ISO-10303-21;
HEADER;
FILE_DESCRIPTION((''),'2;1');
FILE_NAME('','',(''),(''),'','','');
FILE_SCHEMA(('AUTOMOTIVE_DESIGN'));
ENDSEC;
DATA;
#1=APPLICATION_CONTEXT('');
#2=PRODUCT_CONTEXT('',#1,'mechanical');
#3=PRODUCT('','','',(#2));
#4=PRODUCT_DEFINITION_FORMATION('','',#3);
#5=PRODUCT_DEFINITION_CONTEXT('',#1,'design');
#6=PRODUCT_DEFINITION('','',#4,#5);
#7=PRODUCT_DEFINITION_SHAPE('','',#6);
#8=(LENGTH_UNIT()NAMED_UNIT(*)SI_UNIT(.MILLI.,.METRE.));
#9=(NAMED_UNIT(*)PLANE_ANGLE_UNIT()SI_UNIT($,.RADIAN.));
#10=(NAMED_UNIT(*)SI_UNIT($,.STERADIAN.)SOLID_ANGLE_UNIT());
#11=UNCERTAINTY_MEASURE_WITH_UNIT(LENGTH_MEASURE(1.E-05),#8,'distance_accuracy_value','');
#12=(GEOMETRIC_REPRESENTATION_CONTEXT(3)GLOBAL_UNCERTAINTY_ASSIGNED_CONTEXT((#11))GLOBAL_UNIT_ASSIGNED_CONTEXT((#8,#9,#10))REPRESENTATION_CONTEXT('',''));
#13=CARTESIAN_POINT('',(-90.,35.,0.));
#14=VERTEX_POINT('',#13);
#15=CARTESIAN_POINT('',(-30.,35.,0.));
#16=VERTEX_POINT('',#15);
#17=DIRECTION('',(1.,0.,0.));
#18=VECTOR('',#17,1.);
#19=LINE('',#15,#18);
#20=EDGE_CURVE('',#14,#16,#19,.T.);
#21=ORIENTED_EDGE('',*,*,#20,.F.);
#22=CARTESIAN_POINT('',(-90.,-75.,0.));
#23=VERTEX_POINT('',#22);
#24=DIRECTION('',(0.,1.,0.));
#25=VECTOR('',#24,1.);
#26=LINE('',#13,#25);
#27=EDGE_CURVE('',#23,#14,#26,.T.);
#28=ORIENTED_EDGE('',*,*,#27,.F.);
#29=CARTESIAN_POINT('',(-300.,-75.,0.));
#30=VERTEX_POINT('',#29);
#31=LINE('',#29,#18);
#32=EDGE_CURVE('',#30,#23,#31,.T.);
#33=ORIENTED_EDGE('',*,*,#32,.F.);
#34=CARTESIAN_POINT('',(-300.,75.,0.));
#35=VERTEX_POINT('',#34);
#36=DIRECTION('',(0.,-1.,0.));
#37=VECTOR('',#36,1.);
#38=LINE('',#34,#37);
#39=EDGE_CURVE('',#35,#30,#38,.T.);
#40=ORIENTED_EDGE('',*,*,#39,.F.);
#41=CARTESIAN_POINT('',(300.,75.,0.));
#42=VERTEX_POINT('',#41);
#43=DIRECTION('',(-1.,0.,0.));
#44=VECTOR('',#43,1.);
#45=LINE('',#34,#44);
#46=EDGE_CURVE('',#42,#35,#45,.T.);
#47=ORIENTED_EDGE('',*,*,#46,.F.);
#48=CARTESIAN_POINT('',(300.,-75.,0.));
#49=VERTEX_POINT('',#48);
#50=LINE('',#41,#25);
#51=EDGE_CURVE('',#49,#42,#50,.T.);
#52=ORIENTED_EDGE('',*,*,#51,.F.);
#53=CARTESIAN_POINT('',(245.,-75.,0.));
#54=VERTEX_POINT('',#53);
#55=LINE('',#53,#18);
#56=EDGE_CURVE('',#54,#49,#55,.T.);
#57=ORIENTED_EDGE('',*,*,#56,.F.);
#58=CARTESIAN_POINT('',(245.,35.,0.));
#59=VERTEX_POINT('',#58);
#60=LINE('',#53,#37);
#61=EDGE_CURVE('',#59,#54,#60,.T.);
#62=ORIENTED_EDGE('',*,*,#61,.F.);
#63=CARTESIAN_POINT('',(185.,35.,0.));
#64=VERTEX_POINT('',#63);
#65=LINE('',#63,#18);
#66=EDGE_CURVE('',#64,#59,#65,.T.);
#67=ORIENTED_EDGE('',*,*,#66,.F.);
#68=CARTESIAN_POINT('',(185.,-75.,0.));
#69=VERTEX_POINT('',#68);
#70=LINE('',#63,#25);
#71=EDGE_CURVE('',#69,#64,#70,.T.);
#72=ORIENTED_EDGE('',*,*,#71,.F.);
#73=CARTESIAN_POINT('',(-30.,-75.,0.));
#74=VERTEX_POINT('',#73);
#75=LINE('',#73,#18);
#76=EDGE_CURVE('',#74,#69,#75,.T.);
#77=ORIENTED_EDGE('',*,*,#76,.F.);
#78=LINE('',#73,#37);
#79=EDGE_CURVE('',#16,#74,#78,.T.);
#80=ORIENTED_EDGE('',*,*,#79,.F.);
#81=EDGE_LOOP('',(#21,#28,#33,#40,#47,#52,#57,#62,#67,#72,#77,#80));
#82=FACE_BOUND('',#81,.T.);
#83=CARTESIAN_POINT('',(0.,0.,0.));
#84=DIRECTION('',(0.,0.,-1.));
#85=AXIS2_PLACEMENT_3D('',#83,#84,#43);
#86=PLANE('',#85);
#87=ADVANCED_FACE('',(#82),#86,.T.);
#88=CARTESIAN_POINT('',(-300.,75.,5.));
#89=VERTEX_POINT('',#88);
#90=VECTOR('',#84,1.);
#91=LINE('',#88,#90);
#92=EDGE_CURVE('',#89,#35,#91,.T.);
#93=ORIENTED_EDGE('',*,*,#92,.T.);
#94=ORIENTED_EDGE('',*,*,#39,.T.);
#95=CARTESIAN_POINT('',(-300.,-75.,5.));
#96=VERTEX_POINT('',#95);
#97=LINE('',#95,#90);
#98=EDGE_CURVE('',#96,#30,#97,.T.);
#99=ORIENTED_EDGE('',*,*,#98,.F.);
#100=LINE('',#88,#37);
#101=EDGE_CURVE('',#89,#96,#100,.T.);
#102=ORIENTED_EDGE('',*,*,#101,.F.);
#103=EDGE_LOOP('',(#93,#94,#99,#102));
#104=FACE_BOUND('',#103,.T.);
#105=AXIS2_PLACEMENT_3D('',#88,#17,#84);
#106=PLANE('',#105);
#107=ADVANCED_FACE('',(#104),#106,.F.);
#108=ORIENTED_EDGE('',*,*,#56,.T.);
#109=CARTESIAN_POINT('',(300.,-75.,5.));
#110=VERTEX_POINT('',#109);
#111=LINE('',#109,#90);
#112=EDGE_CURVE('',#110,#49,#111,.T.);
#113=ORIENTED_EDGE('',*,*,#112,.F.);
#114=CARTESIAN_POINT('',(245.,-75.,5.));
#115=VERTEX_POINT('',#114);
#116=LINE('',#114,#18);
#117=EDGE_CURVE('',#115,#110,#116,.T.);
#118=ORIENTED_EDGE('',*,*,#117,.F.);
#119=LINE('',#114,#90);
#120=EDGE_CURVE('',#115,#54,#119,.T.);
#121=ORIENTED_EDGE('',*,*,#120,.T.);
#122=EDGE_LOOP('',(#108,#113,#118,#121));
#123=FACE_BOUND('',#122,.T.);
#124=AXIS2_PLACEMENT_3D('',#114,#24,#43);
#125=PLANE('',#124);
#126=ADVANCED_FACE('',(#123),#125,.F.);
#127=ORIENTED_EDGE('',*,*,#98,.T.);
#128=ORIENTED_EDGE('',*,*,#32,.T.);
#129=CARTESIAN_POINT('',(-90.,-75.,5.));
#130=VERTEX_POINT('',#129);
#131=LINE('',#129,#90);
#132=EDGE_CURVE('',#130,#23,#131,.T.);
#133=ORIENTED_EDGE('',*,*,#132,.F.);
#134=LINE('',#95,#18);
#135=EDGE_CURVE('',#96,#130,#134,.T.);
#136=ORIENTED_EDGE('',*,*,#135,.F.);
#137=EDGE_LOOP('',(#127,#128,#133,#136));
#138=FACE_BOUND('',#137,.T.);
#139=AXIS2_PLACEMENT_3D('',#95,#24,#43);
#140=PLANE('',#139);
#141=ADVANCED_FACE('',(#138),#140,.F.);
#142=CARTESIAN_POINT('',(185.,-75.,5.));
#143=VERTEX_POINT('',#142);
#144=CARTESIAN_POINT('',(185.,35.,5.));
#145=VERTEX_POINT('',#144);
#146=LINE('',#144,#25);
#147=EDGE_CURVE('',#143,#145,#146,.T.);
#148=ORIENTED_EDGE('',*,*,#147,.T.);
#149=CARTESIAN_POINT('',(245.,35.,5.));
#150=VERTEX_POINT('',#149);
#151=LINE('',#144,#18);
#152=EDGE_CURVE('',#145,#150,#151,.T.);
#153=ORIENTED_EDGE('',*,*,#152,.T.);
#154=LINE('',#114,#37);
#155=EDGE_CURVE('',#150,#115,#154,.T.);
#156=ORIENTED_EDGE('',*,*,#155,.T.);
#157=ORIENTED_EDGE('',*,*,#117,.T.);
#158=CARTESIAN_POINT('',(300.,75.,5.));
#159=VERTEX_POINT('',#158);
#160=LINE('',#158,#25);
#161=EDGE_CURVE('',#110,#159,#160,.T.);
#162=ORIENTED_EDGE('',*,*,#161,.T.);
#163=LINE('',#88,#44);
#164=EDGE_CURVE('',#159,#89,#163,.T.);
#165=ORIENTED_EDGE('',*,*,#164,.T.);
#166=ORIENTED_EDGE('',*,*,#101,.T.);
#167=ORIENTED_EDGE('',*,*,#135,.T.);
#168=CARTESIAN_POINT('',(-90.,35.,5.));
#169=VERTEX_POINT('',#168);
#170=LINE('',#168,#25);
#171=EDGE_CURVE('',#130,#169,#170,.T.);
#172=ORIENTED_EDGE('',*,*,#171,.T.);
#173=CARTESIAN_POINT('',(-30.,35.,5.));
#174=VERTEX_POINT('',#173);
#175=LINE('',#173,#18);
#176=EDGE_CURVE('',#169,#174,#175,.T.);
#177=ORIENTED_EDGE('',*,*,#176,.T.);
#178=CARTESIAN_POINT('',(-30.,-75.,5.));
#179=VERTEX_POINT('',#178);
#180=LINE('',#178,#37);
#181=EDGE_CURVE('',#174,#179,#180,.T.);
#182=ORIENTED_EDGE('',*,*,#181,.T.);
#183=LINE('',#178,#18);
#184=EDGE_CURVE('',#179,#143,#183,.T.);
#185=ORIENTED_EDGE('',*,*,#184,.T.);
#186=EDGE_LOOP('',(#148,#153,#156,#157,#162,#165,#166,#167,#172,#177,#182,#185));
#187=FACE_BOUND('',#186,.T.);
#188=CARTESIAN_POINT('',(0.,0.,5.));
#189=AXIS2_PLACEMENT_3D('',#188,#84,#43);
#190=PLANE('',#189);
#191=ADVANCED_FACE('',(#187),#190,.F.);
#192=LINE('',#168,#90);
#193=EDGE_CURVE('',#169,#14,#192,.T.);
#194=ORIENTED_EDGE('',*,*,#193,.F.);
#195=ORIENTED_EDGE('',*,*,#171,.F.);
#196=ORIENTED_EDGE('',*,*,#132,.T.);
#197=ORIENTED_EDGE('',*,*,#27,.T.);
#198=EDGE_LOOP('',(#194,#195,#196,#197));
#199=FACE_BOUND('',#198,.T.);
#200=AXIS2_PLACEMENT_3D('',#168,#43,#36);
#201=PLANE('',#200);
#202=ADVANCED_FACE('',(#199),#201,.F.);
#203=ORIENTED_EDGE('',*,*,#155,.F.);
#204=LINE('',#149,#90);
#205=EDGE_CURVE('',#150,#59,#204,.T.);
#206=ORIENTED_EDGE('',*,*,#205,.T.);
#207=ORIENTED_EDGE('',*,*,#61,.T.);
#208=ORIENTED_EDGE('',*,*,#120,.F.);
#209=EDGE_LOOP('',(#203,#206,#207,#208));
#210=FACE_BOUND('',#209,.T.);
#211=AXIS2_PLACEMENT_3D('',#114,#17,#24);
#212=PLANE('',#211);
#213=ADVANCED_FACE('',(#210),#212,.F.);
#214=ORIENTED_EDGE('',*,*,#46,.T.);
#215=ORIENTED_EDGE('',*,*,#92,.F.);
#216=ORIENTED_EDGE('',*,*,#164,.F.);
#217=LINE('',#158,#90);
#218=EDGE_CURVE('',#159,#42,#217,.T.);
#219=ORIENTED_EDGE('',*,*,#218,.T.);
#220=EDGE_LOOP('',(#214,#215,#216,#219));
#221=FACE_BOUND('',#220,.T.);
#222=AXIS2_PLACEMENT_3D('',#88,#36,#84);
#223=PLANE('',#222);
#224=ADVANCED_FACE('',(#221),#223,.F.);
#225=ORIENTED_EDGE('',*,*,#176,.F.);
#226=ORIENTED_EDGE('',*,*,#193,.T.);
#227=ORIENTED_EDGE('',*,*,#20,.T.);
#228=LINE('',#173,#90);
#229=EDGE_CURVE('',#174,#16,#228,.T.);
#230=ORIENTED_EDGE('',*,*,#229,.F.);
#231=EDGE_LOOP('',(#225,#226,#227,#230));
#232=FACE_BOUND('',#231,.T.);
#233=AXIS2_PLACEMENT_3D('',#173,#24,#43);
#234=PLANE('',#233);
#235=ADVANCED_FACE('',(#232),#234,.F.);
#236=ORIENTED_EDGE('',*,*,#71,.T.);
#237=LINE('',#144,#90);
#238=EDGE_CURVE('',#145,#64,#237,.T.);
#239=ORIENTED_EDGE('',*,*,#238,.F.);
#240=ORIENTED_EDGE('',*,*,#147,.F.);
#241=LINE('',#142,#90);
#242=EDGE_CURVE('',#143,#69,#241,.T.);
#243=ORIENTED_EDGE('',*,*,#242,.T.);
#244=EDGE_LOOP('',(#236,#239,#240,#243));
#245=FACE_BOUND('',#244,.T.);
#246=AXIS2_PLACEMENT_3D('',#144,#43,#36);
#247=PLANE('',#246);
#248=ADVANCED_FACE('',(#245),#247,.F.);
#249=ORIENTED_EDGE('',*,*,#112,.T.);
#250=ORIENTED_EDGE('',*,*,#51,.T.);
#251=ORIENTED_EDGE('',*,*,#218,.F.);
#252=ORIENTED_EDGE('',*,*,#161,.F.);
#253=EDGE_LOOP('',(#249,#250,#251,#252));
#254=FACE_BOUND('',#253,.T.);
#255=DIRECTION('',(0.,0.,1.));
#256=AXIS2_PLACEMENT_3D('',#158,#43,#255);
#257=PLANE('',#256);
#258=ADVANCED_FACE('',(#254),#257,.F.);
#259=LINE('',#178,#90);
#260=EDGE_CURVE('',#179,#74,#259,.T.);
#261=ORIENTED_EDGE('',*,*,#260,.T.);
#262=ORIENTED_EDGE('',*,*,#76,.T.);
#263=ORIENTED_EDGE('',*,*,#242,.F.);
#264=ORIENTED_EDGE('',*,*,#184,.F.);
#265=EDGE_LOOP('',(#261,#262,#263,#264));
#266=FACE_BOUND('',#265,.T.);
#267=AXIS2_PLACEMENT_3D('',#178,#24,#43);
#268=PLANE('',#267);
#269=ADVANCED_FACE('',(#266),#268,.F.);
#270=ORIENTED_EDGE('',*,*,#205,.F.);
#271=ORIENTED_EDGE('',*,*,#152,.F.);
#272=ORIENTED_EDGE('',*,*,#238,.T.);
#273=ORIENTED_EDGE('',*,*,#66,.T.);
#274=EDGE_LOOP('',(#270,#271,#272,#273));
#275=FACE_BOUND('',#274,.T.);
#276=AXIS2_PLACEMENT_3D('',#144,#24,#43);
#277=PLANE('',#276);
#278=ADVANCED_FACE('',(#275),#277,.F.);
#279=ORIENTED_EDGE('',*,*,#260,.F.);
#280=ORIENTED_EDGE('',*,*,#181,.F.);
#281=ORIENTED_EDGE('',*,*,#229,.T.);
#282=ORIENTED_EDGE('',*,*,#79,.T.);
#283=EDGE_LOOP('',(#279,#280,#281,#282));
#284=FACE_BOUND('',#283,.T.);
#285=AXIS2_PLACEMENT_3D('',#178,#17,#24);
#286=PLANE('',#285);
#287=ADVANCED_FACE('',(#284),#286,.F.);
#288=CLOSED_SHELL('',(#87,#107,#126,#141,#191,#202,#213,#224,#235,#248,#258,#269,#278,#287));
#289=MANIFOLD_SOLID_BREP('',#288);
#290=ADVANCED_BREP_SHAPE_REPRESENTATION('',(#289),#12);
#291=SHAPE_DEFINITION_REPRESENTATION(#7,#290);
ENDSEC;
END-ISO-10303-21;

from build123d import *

# Parameters (mm, degrees)
BOSS_EXTRUDE1_DEPTH = 5


with BuildPart() as part:
    # Sketch1 → Boss-Extrude1 (new body)
    with BuildSketch(Plane.XY):
        Polygon((-300, 75), (300, 75), (300, -75), (245, -75), (245, 35), (185, 35), (185, -75), (-30, -75), (-30, 35), (-90, 35), (-90, -75), (-300, -75), align=None)
    extrude(amount=BOSS_EXTRUDE1_DEPTH)


solid = part.part
